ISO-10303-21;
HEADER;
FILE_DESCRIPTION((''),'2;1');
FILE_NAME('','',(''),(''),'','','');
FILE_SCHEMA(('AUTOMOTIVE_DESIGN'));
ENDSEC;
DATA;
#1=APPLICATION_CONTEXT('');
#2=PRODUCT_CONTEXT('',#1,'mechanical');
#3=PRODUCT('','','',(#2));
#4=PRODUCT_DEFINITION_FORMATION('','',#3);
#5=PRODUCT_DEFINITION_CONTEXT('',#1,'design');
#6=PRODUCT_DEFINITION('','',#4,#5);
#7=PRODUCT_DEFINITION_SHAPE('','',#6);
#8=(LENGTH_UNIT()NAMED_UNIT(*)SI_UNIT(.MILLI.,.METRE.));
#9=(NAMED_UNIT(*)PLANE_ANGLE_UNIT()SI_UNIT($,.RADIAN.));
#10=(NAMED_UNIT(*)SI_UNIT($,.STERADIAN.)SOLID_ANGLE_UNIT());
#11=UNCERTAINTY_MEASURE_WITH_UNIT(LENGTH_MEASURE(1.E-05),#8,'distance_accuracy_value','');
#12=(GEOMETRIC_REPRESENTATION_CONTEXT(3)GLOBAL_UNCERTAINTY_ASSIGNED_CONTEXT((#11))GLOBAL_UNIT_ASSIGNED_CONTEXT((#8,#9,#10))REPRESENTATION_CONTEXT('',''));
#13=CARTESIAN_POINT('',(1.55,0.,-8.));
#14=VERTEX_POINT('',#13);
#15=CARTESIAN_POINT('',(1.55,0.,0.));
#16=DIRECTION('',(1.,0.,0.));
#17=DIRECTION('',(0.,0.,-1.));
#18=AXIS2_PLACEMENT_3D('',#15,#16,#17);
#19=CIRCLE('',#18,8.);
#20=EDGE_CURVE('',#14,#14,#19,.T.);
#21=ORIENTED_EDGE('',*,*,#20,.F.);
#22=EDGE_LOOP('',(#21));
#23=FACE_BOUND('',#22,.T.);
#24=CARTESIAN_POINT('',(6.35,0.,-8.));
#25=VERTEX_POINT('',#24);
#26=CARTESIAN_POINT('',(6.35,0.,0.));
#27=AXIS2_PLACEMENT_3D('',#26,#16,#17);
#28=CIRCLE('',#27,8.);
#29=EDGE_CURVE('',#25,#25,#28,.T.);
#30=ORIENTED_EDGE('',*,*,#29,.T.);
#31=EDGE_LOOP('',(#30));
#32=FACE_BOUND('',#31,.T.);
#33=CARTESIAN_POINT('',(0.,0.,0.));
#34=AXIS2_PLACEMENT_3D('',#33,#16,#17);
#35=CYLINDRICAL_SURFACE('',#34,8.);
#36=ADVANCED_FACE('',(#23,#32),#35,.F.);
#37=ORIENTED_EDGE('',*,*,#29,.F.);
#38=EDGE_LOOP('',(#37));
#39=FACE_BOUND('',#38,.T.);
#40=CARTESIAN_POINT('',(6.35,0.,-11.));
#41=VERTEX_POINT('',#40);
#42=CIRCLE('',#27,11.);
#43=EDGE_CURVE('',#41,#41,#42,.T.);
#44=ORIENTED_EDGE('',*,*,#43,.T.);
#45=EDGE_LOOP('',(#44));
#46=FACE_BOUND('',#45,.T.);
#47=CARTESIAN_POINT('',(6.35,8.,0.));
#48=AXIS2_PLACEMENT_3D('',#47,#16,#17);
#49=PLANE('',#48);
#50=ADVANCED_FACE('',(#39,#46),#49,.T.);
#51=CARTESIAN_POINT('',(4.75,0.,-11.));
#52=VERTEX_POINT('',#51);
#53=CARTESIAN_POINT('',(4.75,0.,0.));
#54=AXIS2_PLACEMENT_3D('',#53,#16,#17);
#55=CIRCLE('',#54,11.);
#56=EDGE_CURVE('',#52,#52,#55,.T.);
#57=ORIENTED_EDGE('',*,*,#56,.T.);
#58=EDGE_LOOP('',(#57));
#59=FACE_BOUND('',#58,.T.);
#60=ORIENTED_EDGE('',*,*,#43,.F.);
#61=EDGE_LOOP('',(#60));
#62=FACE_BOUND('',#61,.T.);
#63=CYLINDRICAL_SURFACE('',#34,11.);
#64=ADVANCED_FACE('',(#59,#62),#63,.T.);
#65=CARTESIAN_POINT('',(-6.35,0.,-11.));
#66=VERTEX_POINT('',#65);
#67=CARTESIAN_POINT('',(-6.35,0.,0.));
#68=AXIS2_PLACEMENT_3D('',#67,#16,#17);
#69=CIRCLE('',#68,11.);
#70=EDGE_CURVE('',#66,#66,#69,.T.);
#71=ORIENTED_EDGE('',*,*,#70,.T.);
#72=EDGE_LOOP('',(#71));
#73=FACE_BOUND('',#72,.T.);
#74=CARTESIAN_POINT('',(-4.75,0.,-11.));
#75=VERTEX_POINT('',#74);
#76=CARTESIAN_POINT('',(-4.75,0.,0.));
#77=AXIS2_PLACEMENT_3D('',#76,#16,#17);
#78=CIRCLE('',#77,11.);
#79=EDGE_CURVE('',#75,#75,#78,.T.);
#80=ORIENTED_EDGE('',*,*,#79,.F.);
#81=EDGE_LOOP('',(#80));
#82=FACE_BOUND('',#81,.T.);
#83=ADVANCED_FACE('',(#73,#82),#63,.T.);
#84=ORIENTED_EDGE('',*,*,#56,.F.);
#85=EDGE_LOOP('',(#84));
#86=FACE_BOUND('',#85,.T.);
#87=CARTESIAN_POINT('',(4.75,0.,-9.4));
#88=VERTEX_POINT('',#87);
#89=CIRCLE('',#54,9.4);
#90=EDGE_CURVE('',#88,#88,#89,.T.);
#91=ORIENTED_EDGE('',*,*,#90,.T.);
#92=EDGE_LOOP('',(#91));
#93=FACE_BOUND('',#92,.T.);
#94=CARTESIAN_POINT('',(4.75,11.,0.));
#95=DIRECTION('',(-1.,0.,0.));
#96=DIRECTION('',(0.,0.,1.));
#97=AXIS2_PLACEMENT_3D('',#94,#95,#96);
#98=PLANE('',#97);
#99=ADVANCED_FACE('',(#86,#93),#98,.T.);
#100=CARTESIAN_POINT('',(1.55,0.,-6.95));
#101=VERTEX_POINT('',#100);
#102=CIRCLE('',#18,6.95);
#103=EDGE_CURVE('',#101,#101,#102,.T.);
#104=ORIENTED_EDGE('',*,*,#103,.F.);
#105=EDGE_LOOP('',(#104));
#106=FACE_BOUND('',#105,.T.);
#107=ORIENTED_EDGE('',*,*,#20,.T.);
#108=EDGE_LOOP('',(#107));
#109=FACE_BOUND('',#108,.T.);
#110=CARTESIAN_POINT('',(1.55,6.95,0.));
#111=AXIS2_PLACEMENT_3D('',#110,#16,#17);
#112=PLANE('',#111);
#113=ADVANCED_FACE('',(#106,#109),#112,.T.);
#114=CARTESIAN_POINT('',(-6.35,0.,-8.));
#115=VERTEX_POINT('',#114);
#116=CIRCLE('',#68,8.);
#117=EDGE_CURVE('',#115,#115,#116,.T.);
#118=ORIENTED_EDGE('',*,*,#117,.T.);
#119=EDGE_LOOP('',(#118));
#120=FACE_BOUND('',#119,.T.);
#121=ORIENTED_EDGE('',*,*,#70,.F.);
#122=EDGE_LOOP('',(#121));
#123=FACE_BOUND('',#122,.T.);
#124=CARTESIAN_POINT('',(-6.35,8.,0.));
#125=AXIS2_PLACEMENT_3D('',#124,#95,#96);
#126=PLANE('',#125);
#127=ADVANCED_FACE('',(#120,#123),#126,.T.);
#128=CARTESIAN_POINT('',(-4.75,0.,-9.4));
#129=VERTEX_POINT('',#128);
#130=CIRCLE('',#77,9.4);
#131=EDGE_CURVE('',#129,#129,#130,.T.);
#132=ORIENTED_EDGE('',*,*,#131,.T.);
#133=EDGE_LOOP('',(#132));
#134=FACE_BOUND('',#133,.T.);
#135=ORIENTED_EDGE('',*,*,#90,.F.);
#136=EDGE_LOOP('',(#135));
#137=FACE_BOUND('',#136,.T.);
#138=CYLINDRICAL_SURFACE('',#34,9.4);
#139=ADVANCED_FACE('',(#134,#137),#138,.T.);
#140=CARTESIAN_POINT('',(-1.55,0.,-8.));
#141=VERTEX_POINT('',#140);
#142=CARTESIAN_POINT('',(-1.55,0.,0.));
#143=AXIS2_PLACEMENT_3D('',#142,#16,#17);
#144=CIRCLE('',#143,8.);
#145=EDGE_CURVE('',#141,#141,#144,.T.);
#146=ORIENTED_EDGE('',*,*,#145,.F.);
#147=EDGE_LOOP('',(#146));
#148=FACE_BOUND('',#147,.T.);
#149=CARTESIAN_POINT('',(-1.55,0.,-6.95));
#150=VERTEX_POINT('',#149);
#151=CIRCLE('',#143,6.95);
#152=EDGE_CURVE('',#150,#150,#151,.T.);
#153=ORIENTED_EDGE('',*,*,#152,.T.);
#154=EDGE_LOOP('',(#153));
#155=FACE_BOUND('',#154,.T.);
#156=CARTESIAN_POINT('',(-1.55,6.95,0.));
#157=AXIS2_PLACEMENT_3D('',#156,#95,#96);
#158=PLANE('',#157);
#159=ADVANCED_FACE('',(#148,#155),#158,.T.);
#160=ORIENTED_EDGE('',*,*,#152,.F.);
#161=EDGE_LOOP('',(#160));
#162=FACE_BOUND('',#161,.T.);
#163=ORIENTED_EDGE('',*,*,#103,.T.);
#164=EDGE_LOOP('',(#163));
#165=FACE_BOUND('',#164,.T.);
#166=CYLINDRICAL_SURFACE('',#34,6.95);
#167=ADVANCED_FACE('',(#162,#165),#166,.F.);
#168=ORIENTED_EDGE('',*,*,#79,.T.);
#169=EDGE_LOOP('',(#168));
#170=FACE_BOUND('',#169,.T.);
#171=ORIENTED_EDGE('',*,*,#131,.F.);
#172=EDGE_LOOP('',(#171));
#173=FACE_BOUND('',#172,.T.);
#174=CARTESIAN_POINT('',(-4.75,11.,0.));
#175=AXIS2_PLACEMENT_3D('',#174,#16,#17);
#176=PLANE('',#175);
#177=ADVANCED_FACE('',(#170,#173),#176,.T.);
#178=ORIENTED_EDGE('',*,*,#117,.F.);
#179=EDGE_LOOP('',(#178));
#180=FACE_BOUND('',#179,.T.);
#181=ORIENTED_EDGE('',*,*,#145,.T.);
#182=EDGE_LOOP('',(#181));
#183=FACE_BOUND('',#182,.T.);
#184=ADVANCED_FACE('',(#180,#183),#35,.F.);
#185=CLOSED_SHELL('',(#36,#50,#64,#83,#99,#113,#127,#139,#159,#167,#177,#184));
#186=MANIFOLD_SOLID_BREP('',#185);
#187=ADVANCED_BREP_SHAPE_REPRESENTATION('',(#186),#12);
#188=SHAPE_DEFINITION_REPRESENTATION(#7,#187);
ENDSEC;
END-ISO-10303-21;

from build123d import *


with BuildPart() as part:
    # Sketch1 → Revolve1 (revolve)
    with BuildSketch(Plane.XY):
        Polygon((1.55, 6.95), (-1.55, 6.95), (-1.55, 8), (-6.35, 8), (-6.35, 11), (-4.75, 11), (-4.75, 9.4), (4.75, 9.4), (4.75, 11), (6.35, 11), (6.35, 8), (1.55, 8), align=None)
    revolve(axis=Axis((0, 0, 0), (-1, 0, 0)))


solid = part.part
